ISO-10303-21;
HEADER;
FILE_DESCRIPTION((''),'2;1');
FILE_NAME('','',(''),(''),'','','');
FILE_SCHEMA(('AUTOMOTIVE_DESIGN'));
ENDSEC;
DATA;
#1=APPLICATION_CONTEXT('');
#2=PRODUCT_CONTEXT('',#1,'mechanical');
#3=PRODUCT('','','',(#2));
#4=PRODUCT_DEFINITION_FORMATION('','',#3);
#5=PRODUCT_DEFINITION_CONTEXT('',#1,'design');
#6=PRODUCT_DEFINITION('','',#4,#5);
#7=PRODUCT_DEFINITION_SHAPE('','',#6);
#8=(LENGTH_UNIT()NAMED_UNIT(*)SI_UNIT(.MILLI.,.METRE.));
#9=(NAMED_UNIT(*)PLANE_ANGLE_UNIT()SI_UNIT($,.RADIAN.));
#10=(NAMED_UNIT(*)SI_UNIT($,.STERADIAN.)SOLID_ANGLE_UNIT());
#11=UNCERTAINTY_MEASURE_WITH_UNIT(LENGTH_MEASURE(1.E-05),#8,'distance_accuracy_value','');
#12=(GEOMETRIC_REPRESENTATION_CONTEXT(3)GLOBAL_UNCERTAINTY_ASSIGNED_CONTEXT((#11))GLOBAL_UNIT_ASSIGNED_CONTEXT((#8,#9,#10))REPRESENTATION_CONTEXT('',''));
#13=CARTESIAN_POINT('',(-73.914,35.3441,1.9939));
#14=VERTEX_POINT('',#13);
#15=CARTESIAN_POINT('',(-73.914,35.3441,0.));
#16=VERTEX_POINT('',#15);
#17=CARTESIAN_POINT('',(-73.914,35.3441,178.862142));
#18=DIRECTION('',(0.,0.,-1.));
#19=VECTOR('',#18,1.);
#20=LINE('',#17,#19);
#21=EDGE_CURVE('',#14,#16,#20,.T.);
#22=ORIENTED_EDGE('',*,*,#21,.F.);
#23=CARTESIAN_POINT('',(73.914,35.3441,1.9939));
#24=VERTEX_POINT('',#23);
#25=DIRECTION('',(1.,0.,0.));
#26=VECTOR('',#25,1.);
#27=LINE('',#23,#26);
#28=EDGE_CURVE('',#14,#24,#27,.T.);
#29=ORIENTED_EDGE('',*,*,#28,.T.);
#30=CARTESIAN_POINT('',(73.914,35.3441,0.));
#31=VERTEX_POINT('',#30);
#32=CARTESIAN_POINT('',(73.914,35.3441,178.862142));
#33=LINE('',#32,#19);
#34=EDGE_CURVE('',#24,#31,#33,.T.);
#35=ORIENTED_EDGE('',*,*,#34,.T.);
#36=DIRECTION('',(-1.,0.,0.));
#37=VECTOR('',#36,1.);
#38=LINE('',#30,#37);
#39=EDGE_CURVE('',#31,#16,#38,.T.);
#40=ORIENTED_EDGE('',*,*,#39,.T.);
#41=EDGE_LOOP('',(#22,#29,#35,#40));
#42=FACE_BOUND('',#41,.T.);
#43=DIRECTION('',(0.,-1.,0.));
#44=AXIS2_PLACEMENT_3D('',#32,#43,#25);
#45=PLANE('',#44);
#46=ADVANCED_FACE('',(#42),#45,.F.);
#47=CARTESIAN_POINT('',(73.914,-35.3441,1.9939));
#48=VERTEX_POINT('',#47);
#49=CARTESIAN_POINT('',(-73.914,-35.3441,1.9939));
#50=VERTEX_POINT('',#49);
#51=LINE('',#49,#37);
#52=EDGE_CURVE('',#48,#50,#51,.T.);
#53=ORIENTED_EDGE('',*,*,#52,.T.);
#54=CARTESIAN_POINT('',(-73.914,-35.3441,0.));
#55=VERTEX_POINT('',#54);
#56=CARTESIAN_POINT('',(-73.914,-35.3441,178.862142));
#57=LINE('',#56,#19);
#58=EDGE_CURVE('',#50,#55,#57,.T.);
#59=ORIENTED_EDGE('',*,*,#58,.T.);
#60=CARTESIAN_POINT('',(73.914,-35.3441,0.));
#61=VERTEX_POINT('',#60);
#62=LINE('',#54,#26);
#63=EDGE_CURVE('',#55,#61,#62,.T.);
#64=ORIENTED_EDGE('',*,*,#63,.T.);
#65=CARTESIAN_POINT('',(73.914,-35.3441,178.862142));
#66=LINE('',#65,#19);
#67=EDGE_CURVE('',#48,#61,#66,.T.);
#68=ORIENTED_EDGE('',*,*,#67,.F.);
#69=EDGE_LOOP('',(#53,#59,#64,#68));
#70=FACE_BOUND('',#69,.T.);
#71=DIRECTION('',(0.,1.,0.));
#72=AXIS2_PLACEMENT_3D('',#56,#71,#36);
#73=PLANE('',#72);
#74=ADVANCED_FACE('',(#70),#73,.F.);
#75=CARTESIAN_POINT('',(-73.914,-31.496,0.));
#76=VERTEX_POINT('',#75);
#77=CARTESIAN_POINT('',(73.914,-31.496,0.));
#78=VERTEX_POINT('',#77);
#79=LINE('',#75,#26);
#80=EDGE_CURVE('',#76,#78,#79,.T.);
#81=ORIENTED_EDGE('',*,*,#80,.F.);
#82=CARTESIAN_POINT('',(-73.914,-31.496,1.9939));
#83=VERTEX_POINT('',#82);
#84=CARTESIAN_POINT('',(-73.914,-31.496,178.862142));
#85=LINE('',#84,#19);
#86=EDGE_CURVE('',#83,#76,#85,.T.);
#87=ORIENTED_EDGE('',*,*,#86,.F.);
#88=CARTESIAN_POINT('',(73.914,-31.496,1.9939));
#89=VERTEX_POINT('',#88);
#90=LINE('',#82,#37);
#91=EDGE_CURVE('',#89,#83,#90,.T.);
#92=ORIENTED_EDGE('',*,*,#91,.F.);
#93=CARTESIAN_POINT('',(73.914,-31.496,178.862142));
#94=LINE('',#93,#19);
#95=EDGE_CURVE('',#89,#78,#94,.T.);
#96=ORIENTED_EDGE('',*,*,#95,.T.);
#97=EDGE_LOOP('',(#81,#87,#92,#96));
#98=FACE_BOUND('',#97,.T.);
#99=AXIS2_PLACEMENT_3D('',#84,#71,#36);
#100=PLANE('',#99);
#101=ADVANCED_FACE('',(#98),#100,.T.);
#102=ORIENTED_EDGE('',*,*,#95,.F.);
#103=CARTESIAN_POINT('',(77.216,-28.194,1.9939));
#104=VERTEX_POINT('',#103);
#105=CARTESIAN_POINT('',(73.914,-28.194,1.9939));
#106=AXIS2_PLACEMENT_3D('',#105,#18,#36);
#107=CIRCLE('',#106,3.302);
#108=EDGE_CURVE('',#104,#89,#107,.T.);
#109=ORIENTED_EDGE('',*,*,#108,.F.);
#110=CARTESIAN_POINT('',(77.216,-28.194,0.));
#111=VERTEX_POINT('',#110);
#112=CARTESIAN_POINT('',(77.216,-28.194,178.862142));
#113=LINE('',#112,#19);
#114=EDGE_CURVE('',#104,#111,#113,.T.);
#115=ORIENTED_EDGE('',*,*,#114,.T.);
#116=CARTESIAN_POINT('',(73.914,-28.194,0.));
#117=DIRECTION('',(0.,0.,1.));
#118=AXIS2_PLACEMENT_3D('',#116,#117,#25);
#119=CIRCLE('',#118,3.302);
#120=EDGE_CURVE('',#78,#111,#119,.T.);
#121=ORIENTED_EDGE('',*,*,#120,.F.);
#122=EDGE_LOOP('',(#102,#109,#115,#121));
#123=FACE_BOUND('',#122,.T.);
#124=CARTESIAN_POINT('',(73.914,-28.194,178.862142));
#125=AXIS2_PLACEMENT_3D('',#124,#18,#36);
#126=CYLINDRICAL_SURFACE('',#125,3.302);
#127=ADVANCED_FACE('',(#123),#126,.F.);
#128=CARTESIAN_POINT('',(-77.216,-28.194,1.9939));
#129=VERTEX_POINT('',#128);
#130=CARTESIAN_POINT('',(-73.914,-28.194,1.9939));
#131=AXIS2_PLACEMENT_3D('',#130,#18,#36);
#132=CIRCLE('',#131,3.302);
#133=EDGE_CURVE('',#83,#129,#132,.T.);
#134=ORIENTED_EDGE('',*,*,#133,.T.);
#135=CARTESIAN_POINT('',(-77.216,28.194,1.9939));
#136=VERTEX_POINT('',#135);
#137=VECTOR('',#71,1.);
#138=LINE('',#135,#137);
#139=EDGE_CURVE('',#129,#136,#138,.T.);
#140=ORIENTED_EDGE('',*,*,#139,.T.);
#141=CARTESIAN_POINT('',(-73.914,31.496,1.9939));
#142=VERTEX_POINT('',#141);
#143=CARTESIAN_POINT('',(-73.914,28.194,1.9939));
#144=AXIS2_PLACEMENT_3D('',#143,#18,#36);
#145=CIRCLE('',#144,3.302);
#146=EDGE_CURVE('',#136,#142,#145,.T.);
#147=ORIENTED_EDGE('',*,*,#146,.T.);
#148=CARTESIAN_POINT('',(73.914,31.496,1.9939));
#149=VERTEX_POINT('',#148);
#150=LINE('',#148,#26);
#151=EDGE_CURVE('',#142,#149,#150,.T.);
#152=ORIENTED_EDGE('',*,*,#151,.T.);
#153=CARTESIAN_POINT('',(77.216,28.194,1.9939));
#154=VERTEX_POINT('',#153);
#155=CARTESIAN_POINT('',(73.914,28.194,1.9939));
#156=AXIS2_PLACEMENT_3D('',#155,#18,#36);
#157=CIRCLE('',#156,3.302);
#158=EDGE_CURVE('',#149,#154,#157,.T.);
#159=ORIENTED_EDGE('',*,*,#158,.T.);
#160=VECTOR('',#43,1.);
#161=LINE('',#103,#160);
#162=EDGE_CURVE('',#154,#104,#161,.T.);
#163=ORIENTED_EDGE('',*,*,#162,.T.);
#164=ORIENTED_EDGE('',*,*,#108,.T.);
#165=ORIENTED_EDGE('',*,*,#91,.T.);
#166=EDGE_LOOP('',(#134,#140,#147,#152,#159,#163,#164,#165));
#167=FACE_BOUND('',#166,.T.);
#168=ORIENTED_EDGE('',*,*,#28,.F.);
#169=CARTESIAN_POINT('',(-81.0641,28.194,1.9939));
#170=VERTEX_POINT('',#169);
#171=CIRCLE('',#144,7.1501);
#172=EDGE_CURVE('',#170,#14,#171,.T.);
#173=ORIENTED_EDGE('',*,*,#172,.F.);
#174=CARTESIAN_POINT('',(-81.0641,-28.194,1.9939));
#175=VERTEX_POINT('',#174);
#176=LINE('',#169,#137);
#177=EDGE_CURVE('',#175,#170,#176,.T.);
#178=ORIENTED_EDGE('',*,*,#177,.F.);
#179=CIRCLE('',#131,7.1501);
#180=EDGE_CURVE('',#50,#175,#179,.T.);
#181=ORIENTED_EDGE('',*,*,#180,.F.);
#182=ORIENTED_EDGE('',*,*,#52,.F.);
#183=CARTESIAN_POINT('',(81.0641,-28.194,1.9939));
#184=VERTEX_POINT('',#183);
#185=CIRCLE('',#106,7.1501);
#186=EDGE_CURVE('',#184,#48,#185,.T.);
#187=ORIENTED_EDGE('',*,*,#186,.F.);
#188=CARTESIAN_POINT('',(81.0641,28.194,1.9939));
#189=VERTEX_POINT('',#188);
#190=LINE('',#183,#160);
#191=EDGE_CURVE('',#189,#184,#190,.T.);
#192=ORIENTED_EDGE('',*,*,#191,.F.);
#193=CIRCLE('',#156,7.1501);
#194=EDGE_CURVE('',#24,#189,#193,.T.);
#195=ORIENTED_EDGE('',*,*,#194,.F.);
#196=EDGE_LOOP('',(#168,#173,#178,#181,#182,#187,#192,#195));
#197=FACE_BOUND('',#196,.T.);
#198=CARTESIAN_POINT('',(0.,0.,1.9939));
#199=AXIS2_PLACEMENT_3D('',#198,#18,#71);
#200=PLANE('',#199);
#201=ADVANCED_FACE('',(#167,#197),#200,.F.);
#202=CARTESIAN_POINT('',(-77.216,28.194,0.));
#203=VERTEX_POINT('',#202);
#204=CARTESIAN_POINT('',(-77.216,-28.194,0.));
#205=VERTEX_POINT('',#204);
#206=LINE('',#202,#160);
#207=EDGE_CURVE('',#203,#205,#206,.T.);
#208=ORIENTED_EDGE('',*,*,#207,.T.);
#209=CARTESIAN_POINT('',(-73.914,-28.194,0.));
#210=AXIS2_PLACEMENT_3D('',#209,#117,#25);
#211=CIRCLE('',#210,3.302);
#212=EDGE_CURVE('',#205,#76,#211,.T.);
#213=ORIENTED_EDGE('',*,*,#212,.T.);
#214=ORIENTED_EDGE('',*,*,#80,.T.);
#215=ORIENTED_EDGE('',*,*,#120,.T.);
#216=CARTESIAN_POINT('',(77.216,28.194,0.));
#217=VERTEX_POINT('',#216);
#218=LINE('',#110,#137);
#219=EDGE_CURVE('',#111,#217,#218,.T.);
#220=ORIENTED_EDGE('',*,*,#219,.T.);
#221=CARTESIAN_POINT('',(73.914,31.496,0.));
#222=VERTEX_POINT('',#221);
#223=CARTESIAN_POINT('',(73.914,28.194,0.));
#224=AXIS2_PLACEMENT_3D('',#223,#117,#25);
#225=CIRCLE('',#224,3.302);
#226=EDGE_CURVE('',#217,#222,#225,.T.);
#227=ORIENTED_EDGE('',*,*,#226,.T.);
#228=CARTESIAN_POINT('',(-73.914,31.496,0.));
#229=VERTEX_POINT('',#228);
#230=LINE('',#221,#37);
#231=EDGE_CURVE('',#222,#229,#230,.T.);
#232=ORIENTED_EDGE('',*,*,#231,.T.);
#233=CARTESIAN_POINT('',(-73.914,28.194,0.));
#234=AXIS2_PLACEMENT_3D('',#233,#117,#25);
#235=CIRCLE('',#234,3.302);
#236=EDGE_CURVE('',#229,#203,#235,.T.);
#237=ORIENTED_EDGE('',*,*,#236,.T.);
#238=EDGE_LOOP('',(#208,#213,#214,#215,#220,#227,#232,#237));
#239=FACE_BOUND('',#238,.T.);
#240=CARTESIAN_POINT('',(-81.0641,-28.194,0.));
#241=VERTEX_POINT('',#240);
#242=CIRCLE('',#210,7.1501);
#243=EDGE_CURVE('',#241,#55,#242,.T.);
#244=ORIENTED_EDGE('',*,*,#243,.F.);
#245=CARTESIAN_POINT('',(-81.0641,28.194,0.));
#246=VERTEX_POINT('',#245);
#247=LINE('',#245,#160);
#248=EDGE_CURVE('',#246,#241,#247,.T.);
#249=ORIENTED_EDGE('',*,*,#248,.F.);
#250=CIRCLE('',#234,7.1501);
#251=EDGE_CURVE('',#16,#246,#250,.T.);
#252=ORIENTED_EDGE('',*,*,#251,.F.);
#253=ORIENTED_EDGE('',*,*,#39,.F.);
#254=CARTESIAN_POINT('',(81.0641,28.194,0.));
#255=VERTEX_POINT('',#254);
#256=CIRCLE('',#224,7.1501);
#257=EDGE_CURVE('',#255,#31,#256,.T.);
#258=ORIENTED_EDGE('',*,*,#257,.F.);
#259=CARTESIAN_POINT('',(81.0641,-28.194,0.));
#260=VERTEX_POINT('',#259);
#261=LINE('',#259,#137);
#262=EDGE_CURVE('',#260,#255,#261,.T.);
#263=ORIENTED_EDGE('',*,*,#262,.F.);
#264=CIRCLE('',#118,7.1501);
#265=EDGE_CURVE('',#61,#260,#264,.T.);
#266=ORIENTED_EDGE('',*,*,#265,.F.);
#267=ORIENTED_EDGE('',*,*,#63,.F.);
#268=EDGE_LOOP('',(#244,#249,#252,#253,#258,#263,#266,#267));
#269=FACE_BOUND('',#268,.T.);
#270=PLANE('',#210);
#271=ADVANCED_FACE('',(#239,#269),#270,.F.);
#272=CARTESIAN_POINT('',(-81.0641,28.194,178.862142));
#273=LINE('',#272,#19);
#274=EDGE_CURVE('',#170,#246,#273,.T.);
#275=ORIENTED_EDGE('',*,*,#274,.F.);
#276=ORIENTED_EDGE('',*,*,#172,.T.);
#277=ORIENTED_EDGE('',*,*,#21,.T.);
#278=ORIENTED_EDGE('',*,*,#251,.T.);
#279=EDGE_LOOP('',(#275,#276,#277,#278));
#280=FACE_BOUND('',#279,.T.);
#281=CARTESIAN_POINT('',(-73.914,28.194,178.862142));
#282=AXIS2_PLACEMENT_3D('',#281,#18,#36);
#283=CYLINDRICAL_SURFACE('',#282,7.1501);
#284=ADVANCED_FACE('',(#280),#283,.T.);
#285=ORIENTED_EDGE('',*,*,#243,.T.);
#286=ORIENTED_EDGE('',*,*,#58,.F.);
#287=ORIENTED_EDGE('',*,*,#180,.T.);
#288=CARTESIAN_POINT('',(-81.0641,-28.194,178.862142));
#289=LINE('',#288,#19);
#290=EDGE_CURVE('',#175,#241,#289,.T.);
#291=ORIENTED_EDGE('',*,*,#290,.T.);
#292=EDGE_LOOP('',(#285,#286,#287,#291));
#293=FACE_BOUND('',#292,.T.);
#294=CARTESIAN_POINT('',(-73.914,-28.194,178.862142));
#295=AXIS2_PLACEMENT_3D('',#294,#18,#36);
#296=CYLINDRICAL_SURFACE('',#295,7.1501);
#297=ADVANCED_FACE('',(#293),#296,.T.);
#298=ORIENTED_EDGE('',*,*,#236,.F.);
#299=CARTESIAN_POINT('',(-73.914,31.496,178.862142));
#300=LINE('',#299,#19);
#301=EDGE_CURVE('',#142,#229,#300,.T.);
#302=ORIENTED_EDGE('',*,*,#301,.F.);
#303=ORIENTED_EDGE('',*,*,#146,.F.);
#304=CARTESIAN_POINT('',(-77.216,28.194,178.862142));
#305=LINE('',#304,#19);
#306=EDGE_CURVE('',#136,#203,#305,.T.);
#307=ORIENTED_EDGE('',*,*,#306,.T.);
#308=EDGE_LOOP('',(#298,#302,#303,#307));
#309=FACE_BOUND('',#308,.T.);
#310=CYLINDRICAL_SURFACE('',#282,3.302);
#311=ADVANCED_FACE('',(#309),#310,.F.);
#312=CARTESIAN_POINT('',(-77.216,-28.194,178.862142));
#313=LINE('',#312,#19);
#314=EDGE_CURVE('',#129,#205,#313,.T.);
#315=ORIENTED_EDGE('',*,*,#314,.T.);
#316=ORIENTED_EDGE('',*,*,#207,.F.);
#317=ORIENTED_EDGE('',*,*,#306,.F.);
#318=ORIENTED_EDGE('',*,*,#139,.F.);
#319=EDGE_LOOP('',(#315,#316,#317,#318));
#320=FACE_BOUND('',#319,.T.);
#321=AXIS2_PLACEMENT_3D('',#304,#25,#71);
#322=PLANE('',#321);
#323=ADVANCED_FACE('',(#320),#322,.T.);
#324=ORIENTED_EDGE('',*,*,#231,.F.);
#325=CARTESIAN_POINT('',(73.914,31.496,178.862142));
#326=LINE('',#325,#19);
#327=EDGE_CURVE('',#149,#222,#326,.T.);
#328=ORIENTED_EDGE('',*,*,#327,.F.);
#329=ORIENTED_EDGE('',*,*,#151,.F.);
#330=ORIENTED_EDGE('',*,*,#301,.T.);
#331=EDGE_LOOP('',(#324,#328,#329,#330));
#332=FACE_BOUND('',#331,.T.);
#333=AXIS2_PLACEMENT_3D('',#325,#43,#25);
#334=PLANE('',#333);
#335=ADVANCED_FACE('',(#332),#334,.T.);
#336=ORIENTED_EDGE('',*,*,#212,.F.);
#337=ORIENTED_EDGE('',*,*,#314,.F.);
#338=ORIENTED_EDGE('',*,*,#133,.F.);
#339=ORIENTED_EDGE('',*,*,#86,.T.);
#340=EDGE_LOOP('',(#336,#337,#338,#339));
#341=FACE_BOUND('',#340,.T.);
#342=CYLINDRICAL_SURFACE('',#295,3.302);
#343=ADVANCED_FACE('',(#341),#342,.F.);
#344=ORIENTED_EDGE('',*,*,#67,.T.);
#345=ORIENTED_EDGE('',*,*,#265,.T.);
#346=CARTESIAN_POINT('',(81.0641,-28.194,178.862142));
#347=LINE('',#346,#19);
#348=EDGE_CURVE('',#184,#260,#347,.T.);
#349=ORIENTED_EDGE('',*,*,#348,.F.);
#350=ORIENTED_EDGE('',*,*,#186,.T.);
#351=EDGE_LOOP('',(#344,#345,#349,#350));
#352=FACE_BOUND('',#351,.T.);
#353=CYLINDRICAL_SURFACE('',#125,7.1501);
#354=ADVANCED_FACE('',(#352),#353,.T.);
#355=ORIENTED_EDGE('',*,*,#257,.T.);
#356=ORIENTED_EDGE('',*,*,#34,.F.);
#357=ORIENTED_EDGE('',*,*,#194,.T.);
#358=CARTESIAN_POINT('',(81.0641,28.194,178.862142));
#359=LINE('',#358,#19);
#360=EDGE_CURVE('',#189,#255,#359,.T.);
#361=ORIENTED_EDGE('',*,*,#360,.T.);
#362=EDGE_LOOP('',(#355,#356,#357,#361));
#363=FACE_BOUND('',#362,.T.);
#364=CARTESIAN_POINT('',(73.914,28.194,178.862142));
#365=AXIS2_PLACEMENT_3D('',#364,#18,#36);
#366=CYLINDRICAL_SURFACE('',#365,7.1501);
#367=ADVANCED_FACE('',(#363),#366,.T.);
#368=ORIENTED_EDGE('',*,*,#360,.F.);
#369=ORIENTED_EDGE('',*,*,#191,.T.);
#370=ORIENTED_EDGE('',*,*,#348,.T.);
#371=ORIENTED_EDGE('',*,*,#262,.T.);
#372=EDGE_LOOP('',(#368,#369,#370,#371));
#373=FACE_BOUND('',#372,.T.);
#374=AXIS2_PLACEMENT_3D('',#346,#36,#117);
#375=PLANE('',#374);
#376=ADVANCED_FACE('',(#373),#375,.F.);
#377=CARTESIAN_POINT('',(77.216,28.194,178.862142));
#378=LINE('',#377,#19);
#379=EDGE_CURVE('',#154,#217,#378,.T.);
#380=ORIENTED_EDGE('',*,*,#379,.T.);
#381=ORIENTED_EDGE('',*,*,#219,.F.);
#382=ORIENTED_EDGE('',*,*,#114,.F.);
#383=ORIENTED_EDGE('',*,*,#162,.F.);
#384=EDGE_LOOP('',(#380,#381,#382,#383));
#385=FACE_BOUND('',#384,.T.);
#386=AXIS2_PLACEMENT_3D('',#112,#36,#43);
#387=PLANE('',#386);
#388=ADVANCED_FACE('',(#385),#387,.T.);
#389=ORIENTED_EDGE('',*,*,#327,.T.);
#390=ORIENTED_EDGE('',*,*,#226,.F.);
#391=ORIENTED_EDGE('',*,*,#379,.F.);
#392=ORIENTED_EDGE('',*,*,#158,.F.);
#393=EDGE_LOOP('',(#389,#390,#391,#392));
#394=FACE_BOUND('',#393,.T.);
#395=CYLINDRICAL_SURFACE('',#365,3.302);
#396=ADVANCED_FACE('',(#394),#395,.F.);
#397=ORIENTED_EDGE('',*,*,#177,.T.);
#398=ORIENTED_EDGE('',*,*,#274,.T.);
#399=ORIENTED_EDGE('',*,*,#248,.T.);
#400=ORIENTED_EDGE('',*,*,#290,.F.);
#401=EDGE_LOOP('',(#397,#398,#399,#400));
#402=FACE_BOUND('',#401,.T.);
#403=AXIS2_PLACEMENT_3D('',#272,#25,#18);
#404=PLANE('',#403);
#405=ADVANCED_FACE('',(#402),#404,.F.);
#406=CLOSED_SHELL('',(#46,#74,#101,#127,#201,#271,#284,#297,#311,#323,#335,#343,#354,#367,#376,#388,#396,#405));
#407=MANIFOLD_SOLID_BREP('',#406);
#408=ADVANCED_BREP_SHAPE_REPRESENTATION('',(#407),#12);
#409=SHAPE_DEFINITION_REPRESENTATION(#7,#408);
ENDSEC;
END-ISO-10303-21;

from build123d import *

# Parameters (mm, degrees)
BOSS_EXTRUDE1_DEPTH = 1.9939


with BuildPart() as part:
    # Sketch1 → Boss-Extrude1 (new body)
    with BuildSketch(Plane.XY):
        with BuildLine():
            Line((-73.914, -35.3441), (73.914, -35.3441))
            ThreePointArc((73.914, -35.3441), (78.969884196, -33.249884196), (81.0641, -28.194))
            Line((81.0641, -28.194), (81.0641, 28.194))
            ThreePointArc((81.0641, 28.194), (78.969884196, 33.249884196), (73.914, 35.3441))
            Line((73.914, 35.3441), (-73.914, 35.3441))
            ThreePointArc((-73.914, 35.3441), (-78.969884196, 33.249884196), (-81.0641, 28.194))
            Line((-81.0641, 28.194), (-81.0641, -28.194))
            ThreePointArc((-81.0641, -28.194), (-78.969884196, -33.249884196), (-73.914, -35.3441))
        make_face()
        with BuildLine():
            Line((-73.914, -31.496), (73.914, -31.496))
            ThreePointArc((73.914, -31.496), (76.248866591, -30.528866591), (77.216, -28.194))
            Line((77.216, -28.194), (77.216, 28.194))
            ThreePointArc((77.216, 28.194), (76.248866591, 30.528866591), (73.914, 31.496))
            Line((73.914, 31.496), (-73.914, 31.496))
            ThreePointArc((-73.914, 31.496), (-76.248866591, 30.528866591), (-77.216, 28.194))
            Line((-77.216, 28.194), (-77.216, -28.194))
            ThreePointArc((-77.216, -28.194), (-76.248866591, -30.528866591), (-73.914, -31.496))
        make_face(mode=Mode.SUBTRACT)
    extrude(amount=BOSS_EXTRUDE1_DEPTH)


solid = part.part
